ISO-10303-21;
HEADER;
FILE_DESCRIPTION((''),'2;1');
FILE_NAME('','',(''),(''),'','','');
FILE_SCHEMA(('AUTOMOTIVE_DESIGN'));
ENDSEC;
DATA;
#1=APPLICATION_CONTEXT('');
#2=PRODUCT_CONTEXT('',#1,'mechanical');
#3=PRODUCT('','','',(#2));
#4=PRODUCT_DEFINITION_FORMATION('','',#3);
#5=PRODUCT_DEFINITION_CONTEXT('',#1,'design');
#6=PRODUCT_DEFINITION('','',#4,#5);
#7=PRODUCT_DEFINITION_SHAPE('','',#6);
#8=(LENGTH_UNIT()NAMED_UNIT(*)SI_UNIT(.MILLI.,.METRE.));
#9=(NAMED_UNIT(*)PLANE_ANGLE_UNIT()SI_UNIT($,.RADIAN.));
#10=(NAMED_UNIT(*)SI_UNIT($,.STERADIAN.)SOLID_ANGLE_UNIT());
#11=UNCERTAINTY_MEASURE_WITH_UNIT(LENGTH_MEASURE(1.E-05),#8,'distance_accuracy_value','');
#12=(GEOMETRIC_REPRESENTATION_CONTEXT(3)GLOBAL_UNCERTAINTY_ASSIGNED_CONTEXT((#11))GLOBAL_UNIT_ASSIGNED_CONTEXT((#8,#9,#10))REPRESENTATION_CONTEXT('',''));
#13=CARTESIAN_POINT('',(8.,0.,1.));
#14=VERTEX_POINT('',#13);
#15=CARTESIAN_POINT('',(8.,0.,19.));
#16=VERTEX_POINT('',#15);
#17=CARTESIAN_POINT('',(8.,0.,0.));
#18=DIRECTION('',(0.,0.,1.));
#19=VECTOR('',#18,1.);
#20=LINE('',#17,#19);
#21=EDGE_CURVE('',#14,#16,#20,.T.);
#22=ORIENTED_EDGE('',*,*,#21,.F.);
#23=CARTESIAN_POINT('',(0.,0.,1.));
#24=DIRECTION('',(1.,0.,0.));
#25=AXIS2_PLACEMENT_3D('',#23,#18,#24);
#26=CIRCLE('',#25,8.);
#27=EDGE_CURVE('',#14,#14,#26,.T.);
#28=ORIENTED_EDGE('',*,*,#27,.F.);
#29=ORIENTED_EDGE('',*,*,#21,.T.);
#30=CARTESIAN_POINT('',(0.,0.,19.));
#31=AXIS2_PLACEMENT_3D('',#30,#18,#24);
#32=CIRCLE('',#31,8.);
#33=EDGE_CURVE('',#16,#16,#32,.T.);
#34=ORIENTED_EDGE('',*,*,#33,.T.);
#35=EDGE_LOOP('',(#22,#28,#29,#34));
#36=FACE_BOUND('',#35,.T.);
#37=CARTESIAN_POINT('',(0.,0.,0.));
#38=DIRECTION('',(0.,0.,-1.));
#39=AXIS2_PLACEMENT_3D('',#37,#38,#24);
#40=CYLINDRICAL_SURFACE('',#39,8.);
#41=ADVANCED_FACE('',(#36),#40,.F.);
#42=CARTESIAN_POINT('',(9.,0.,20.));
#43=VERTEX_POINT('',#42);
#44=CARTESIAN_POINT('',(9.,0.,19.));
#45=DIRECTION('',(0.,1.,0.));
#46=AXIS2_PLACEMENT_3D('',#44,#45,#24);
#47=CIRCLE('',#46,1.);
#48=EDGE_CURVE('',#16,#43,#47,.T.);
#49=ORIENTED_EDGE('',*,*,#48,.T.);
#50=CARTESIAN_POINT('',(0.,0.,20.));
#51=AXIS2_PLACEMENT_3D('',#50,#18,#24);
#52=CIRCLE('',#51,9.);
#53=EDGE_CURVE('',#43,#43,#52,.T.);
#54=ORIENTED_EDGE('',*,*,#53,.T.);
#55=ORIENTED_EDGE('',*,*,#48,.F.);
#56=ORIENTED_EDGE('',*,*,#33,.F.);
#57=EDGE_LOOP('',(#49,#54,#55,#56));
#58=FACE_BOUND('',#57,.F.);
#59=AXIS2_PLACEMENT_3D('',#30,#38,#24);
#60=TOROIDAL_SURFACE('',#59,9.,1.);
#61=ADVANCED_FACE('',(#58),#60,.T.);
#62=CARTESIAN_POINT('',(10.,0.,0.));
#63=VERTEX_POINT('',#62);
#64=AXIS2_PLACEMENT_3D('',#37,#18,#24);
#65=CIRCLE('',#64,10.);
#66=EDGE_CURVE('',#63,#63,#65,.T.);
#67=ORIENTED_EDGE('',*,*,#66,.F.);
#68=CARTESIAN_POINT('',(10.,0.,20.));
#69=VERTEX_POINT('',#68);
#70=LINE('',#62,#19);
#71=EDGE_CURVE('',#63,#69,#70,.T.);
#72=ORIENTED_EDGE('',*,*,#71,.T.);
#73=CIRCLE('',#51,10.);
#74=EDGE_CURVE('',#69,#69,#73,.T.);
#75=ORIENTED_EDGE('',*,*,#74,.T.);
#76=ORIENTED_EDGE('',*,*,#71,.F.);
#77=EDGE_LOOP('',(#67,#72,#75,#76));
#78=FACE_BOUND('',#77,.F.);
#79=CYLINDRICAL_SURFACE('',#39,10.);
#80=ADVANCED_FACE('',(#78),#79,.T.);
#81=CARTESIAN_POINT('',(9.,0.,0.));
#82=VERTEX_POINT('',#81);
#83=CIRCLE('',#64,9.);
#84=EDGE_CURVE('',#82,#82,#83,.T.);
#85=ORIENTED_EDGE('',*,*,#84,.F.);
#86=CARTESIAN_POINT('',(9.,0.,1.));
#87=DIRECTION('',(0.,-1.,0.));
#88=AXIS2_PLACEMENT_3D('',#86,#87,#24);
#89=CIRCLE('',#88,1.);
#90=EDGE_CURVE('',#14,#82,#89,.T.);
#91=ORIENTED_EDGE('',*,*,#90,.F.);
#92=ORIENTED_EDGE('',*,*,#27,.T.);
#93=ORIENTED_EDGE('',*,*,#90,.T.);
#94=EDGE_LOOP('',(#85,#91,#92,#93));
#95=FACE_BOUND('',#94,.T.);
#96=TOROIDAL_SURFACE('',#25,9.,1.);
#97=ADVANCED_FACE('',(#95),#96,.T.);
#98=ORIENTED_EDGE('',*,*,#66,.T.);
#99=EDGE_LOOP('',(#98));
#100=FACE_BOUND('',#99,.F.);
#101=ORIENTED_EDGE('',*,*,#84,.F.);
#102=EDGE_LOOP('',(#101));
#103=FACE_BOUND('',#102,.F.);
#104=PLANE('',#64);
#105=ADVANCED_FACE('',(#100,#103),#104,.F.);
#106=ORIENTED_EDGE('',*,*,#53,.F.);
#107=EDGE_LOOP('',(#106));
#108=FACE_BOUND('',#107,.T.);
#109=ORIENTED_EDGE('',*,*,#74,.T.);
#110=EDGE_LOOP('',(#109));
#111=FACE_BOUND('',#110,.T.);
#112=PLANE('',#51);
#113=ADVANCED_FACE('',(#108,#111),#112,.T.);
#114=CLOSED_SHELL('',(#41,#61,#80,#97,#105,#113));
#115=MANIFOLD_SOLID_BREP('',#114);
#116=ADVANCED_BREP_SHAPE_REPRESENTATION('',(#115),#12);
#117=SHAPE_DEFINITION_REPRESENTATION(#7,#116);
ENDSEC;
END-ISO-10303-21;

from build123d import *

# Parameters (mm, degrees)
F2_R     = 10
F2_R_2   = 8
F3_DEPTH = 20
F4_R     = 1
F5_R     = 1


with BuildPart() as f3:
    # F2 (on Top) → F3 (new body)
    with BuildSketch(Plane.XY):
        Circle(F2_R)
        Circle(F2_R_2, mode=Mode.SUBTRACT)
    extrude(amount=F3_DEPTH)

    # F4
    f4_edges = [f3.edges().sort_by_distance(p)[0] for p in [
        (-8, 0, 20),
    ]]
    fillet(f4_edges, radius=F4_R)

    # F5
    f5_edges = [f3.edges().sort_by_distance(p)[0] for p in [
        (-8, 0, 0),
    ]]
    fillet(f5_edges, radius=F5_R)


solid = f3.part
